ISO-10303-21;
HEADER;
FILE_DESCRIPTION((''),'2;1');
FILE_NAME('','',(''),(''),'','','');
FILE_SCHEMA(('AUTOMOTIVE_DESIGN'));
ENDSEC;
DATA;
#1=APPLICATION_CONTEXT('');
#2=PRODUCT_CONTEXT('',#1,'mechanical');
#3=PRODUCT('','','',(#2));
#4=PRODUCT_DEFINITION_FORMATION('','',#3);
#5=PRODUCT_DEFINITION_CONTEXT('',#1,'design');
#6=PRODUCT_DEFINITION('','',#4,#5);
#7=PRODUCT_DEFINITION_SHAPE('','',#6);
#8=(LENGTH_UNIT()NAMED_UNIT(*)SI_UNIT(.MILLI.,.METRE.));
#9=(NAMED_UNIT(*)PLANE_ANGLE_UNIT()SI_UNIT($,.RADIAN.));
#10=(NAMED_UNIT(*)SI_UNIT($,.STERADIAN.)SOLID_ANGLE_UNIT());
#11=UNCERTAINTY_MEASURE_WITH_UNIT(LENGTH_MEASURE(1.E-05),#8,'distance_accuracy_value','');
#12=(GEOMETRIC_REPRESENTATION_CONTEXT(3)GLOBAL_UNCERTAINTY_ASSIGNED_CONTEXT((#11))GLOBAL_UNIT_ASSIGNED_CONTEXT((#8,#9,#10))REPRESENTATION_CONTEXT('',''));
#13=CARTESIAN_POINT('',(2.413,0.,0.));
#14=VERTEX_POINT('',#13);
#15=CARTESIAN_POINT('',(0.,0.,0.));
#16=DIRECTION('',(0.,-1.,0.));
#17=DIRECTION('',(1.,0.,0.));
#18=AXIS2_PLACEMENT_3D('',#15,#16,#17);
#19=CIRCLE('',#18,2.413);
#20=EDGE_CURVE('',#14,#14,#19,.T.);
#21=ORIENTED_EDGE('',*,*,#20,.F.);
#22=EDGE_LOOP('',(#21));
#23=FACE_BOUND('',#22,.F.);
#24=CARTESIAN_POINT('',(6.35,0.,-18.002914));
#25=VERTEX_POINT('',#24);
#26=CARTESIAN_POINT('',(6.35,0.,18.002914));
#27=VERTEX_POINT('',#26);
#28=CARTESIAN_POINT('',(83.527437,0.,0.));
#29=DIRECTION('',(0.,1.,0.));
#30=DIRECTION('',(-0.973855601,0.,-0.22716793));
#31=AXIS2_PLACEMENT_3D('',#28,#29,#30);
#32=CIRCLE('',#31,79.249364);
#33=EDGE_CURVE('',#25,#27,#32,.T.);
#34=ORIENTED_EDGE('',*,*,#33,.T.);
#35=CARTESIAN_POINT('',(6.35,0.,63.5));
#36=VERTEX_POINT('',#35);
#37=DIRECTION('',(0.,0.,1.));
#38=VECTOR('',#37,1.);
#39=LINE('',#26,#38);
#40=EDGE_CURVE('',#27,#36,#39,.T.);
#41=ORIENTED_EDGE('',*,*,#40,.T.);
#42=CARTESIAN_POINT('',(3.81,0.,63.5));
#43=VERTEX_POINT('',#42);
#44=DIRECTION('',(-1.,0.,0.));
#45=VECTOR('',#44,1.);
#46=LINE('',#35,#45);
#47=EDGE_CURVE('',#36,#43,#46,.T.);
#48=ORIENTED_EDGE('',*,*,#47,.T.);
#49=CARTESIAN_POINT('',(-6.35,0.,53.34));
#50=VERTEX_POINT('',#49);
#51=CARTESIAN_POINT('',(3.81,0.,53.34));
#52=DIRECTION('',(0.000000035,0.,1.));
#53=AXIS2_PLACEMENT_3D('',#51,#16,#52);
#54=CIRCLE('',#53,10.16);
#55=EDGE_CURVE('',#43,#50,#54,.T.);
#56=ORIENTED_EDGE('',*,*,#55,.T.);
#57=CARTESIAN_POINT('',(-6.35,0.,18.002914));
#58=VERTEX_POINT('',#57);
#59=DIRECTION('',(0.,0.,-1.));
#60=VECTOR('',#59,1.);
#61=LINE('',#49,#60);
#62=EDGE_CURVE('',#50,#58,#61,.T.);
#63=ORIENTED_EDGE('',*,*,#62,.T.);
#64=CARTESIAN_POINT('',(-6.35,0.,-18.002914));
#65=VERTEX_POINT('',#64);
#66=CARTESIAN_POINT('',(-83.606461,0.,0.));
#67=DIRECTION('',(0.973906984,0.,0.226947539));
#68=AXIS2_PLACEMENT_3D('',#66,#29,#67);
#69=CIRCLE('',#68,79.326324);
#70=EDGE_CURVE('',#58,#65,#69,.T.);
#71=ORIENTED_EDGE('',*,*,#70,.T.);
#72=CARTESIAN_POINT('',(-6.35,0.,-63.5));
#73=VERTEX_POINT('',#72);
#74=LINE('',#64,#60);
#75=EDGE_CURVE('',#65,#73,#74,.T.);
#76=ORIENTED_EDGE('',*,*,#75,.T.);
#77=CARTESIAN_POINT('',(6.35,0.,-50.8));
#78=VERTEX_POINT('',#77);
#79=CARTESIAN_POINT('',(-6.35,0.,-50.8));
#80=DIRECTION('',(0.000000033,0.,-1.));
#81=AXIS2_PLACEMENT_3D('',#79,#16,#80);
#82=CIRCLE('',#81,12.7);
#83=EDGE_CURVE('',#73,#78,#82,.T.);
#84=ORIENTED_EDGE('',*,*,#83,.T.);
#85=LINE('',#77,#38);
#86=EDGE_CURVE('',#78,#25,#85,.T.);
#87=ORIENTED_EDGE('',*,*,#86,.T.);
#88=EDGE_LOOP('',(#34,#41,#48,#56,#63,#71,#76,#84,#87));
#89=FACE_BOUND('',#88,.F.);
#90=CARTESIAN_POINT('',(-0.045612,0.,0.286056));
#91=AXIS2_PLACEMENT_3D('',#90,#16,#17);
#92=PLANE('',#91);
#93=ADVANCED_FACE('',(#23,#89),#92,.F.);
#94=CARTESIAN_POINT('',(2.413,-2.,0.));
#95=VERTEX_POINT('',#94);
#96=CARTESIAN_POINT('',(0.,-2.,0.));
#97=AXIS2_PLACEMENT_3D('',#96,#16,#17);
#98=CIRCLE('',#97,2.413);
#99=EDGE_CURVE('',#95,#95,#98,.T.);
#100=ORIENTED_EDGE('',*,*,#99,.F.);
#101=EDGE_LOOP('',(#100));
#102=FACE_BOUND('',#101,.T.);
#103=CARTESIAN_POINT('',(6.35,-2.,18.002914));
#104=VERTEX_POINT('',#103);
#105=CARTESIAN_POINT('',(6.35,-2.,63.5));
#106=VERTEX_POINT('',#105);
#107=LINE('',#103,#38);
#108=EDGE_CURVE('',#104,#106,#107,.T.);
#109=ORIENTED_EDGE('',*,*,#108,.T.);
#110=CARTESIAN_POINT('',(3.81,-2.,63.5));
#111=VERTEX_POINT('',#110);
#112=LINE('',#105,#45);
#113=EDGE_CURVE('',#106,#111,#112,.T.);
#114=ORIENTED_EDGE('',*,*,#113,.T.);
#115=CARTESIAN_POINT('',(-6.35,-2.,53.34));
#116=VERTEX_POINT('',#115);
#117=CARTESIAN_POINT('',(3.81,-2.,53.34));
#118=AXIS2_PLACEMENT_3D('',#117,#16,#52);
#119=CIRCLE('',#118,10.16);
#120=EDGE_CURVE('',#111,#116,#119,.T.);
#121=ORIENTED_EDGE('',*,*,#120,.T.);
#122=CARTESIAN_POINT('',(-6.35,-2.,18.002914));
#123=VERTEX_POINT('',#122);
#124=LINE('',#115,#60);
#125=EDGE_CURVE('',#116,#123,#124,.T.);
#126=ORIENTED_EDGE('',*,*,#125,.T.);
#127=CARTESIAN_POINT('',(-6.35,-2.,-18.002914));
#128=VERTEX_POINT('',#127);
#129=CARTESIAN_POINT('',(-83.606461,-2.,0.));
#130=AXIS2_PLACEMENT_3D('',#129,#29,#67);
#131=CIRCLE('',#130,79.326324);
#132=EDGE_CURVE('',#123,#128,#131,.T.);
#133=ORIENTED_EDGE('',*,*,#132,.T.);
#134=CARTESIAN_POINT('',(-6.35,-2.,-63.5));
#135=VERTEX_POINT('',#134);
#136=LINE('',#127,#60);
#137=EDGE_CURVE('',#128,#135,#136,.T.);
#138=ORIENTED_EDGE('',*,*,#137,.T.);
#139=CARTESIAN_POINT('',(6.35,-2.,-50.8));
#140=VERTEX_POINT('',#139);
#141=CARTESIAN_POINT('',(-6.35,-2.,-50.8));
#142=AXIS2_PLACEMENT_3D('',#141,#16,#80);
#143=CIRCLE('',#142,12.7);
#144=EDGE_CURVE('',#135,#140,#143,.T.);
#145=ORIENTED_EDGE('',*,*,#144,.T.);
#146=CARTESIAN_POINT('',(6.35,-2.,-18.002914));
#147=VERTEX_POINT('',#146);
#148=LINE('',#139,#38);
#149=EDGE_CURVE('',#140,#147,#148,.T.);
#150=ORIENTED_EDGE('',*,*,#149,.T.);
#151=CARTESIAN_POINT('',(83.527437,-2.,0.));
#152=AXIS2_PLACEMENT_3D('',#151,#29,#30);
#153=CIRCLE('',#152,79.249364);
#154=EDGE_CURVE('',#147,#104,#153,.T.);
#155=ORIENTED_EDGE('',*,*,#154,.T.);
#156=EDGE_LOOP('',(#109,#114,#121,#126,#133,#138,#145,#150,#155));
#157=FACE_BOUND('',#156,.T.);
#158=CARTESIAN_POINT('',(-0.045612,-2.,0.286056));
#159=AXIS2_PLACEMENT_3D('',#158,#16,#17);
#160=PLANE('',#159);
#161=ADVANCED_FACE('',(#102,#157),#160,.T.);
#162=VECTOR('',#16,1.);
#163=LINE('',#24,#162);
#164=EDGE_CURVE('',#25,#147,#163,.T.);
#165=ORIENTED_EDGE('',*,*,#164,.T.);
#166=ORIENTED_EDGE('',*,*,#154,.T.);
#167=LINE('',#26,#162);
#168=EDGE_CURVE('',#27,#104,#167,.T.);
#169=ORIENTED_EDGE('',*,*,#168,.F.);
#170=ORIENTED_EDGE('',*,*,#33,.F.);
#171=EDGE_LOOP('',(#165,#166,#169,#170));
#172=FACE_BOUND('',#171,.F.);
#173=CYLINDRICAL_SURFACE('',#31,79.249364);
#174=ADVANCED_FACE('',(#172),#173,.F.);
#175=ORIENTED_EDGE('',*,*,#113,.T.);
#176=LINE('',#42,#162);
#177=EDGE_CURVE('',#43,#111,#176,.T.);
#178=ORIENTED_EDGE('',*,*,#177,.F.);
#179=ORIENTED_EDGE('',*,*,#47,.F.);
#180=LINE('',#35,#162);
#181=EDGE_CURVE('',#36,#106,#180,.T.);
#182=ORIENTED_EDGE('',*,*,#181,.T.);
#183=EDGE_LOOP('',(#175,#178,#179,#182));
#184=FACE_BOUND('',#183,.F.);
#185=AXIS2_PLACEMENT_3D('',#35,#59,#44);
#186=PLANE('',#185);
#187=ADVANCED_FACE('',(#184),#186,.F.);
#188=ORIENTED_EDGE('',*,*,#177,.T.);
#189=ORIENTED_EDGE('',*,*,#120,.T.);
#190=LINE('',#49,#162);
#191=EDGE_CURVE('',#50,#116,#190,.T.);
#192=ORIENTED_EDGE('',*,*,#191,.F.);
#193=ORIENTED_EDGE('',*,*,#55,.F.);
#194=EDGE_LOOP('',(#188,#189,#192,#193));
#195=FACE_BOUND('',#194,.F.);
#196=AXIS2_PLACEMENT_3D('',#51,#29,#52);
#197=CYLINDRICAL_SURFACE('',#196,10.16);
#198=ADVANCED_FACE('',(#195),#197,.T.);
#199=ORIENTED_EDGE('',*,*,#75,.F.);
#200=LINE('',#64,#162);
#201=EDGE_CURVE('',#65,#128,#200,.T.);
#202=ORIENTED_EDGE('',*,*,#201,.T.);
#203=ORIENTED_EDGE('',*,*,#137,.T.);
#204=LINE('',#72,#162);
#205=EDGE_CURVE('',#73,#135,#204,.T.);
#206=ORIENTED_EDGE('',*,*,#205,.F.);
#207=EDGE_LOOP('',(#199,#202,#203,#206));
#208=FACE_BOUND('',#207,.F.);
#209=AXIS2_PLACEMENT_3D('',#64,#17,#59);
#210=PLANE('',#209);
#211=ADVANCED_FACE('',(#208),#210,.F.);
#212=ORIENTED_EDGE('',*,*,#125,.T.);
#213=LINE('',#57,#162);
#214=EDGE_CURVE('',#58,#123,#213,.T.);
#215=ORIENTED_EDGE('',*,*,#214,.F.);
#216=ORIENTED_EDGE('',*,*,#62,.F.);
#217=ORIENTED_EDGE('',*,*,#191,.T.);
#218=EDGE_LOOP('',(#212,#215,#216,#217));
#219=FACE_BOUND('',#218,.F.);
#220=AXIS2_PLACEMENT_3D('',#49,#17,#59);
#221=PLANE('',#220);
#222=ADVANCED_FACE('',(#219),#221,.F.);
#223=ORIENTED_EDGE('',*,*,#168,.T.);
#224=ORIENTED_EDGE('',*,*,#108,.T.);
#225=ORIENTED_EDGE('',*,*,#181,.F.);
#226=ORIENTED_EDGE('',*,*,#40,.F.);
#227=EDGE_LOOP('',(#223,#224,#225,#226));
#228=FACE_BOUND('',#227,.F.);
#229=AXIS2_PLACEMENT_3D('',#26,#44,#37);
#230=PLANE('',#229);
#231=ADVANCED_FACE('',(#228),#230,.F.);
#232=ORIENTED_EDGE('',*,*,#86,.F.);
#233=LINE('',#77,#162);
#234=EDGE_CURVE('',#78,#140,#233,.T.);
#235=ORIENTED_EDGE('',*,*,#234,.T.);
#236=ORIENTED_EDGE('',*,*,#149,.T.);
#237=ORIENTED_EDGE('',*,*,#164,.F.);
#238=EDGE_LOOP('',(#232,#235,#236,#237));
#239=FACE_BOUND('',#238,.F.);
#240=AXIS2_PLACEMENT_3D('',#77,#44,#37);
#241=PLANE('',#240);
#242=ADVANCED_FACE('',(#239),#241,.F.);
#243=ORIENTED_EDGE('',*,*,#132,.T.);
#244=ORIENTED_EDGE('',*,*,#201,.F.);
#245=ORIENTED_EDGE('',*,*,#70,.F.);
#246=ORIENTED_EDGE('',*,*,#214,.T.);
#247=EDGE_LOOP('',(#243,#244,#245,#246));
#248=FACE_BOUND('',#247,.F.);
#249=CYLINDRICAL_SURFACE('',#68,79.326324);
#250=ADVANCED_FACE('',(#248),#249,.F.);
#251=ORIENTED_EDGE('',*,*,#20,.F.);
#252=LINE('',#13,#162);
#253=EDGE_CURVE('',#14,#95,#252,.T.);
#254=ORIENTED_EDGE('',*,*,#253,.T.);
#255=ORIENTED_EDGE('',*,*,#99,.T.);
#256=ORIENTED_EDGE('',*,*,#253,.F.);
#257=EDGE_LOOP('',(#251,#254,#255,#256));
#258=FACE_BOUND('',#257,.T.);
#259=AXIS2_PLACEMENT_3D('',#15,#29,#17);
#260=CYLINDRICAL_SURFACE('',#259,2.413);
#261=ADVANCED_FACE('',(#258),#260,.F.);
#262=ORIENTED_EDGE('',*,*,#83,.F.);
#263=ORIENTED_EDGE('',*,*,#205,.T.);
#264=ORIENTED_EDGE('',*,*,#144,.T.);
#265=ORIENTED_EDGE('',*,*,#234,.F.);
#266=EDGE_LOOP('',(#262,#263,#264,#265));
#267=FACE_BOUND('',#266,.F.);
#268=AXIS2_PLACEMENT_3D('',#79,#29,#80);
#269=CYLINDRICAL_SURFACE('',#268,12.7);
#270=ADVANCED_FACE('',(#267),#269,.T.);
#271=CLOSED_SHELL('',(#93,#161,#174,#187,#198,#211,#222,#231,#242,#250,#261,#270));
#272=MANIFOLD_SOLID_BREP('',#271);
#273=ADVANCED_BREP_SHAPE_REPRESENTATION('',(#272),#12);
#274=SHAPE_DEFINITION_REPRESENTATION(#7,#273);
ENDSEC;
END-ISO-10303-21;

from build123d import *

# Parameters (mm, degrees)
F0_R     = 2.413
F1_DEPTH = 2


with BuildPart() as f1:
    # F0 (on Front) → F1 (new body)
    with BuildSketch(Plane.XZ):
        with BuildLine():
            Line((6.35, 63.5), (3.81, 63.5))
            ThreePointArc((3.81, 63.5), (-3.374205, 60.524205), (-6.35, 53.34))
            Line((-6.35, 53.34), (-6.35, 18.002914))
            ThreePointArc((-6.35, 18.002914), (-4.280137, 0), (-6.35, -18.002914))
            Line((-6.35, -18.002914), (-6.35, -63.5))
            ThreePointArc((-6.35, -63.5), (2.630256, -59.780256), (6.35, -50.8))
            Line((6.35, -50.8), (6.35, -18.002914))
            ThreePointArc((6.35, -18.002914), (4.278073, 0), (6.35, 18.002914))
            Line((6.35, 18.002914), (6.35, 63.5))
        make_face()
        Circle(F0_R, mode=Mode.SUBTRACT)
    extrude(amount=F1_DEPTH)


solid = f1.part
